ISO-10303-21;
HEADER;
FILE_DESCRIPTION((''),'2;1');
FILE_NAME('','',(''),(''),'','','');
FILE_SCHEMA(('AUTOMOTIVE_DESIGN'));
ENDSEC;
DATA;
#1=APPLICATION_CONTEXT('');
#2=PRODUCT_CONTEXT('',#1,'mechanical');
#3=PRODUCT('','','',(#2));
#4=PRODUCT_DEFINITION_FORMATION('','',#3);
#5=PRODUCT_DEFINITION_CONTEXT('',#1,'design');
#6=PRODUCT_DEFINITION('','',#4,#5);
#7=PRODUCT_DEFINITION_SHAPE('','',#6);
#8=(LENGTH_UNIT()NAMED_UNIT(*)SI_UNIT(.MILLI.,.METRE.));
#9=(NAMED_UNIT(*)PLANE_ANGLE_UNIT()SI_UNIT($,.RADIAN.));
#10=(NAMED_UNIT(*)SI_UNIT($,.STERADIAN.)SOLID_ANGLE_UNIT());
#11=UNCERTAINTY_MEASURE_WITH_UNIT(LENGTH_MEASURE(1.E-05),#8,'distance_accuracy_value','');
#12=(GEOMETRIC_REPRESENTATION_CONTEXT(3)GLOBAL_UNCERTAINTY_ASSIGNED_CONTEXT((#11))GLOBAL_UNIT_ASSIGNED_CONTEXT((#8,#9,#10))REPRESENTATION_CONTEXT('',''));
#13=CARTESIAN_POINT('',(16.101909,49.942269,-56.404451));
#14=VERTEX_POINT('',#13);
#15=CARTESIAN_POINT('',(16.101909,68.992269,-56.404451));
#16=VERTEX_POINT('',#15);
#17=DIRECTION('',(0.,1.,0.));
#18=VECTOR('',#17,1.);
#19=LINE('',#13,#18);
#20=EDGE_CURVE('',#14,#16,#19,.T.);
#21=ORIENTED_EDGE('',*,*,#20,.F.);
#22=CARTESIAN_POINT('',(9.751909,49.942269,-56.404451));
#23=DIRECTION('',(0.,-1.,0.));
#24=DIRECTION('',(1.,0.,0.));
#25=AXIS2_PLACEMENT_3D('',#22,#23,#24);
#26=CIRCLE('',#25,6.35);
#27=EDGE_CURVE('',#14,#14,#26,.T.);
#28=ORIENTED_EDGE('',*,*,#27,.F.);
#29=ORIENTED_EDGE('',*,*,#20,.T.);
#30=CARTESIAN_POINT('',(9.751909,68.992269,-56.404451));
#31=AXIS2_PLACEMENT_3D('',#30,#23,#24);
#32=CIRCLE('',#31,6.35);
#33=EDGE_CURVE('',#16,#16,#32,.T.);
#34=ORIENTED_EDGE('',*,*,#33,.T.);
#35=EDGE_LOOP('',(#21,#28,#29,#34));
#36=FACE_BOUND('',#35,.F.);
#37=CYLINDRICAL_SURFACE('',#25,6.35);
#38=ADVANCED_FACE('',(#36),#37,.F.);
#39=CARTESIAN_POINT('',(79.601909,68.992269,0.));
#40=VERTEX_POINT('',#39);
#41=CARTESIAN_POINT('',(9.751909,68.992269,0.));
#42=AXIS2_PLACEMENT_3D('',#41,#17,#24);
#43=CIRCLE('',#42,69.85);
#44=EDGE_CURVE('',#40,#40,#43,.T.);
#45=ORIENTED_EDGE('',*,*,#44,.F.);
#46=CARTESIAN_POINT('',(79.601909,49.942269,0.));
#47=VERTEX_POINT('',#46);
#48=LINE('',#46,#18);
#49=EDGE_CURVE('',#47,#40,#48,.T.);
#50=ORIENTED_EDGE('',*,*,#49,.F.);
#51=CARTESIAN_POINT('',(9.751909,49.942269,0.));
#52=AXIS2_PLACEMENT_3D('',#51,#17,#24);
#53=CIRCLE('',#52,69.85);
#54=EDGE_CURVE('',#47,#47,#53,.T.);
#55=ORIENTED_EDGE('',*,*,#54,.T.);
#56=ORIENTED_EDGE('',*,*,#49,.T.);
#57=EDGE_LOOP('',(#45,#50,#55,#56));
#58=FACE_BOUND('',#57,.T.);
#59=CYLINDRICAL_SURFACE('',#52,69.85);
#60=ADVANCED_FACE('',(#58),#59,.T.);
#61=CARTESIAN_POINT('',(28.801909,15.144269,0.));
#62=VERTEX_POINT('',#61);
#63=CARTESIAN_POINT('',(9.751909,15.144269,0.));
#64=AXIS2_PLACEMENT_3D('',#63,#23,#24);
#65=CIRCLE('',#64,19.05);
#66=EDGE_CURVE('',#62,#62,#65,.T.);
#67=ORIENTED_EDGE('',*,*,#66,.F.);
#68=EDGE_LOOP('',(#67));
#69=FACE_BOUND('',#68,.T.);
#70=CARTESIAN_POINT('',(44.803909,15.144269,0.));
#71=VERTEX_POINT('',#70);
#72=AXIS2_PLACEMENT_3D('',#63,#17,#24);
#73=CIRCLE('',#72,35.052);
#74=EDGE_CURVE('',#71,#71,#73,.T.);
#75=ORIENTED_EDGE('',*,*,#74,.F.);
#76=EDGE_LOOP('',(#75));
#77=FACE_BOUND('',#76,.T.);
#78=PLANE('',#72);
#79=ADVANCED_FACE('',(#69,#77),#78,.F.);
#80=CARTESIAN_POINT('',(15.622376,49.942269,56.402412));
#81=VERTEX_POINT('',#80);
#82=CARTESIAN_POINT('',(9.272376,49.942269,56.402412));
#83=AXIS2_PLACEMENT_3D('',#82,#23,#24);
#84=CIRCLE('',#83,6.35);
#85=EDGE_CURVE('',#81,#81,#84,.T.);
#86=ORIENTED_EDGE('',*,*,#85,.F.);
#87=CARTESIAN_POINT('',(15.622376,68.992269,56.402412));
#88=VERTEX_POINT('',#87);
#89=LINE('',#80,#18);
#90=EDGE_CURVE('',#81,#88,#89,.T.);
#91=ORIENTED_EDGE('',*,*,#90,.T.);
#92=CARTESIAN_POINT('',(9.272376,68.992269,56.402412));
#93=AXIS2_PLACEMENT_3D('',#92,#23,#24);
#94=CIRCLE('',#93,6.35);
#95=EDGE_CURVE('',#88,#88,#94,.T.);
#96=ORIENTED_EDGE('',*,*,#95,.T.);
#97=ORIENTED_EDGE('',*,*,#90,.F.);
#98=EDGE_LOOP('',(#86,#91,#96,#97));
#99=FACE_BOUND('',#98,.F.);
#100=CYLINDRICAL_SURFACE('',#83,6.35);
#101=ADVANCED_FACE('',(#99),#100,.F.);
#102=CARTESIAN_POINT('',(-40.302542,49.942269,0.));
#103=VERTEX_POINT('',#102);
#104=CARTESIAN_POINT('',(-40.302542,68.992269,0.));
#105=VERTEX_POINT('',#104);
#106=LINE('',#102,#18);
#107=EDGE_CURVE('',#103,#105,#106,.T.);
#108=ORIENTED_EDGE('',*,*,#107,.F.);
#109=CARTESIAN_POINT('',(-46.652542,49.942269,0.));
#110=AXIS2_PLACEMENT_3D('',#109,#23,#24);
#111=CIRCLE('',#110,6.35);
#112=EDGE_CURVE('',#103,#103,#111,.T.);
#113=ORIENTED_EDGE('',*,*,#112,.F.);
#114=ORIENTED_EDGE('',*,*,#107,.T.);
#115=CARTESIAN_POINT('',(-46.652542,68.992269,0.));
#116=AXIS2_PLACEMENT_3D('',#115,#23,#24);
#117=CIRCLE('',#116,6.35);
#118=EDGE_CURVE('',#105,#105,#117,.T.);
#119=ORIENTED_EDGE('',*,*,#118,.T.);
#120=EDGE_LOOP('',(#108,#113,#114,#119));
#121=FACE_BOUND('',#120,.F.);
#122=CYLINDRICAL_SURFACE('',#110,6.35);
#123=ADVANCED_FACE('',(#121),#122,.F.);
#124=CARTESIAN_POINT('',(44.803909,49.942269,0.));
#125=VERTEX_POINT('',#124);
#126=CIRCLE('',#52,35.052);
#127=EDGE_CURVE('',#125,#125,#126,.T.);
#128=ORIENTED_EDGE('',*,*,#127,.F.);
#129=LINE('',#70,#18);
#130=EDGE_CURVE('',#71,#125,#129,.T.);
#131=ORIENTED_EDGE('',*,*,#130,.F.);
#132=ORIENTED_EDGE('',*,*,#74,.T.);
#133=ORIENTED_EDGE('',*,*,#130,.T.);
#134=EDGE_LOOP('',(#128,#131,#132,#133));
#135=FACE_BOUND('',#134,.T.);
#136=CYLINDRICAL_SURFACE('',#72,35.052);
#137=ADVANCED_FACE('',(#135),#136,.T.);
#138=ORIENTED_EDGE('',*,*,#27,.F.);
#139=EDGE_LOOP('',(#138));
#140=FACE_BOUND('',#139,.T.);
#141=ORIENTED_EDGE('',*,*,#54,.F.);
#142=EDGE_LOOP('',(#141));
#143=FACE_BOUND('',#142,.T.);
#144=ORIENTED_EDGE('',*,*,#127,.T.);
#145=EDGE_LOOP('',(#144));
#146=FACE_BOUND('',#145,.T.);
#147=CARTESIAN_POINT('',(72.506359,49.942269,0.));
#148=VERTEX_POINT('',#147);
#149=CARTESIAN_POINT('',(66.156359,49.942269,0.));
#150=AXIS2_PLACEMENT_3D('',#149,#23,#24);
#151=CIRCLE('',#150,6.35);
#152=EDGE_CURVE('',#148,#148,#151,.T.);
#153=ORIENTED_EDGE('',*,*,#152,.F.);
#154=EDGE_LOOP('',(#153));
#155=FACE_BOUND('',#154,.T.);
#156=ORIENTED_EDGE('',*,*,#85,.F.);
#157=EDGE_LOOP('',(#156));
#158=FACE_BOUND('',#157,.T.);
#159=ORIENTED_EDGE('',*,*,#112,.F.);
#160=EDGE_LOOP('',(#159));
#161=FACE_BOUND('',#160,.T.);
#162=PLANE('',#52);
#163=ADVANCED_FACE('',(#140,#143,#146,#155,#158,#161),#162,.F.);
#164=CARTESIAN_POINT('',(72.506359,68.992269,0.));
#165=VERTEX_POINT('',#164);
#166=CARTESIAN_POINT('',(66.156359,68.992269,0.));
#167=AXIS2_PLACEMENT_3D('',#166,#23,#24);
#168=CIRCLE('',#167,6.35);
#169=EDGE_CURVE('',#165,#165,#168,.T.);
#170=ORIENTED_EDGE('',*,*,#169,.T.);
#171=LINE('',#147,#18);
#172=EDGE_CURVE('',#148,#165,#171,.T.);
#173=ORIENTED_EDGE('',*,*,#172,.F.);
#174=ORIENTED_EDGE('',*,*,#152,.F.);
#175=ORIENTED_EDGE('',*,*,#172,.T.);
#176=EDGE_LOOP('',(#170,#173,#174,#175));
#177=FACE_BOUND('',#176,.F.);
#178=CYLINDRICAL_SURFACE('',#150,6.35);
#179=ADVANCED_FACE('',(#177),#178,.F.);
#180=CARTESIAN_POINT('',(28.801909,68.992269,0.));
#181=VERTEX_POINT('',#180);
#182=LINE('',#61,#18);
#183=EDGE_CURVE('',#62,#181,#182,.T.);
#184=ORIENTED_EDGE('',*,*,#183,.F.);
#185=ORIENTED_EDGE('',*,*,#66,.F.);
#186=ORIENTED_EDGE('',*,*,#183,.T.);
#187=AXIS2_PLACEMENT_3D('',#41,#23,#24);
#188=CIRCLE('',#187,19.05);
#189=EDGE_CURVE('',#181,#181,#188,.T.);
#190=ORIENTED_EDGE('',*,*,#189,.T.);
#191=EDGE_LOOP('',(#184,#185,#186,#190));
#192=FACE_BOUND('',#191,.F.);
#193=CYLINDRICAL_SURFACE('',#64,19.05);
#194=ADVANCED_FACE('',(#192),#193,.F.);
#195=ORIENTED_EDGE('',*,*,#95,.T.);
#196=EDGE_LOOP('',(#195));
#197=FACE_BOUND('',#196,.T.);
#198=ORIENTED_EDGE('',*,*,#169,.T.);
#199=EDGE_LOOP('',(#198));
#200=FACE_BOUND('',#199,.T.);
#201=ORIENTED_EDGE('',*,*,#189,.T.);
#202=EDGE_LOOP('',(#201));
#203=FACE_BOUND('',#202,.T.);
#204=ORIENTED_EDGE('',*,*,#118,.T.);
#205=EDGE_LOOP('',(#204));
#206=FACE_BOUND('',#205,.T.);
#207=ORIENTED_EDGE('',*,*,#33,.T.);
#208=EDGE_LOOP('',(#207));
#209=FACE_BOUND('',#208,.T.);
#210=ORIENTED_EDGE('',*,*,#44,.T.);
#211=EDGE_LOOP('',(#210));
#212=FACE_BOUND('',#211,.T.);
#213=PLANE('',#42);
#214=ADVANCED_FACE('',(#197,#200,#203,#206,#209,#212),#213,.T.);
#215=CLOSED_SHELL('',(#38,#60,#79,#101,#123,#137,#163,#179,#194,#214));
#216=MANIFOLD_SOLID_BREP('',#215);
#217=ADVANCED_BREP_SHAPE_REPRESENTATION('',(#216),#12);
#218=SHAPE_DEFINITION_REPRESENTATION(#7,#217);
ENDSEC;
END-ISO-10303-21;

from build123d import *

# Parameters (mm, degrees)
F2_R     = 19.05
F3_DEPTH = 108.966
F4_R     = 6.35
F5_DEPTH = 115.316


with BuildPart() as f1:
    # F0 (on Top) → F1 (revolve)
    with BuildSketch(Plane.XY):
        Polygon((9.751909, 68.992269), (9.751909, 15.144269), (44.803909, 15.144269), (44.803909, 49.942269), (79.601909, 49.942269), (79.601909, 68.992269), align=None)
    revolve(axis=Axis((9.751909, 42.068269, 0), (0, 1, 0)))

    # F2 (on face) → F3 (cut)
    with BuildSketch(Plane.XZ.offset(-15.144269)):
        with Locations((9.751909, 0)):
            Circle(F2_R)
    extrude(amount=-F3_DEPTH, mode=Mode.SUBTRACT)

    # F4 (on face) → F5 (cut)
    with BuildSketch(Plane.XZ.offset(-49.942269)):
        with Locations((9.272376, 56.402412)):
            Circle(F4_R)
        with Locations((66.156359, 0)):
            Circle(F4_R)
        with Locations((-46.652542, 0)):
            Circle(F4_R)
        with Locations((9.751909, -56.404451)):
            Circle(F4_R)
    extrude(amount=-F5_DEPTH, mode=Mode.SUBTRACT)


solid = f1.part
